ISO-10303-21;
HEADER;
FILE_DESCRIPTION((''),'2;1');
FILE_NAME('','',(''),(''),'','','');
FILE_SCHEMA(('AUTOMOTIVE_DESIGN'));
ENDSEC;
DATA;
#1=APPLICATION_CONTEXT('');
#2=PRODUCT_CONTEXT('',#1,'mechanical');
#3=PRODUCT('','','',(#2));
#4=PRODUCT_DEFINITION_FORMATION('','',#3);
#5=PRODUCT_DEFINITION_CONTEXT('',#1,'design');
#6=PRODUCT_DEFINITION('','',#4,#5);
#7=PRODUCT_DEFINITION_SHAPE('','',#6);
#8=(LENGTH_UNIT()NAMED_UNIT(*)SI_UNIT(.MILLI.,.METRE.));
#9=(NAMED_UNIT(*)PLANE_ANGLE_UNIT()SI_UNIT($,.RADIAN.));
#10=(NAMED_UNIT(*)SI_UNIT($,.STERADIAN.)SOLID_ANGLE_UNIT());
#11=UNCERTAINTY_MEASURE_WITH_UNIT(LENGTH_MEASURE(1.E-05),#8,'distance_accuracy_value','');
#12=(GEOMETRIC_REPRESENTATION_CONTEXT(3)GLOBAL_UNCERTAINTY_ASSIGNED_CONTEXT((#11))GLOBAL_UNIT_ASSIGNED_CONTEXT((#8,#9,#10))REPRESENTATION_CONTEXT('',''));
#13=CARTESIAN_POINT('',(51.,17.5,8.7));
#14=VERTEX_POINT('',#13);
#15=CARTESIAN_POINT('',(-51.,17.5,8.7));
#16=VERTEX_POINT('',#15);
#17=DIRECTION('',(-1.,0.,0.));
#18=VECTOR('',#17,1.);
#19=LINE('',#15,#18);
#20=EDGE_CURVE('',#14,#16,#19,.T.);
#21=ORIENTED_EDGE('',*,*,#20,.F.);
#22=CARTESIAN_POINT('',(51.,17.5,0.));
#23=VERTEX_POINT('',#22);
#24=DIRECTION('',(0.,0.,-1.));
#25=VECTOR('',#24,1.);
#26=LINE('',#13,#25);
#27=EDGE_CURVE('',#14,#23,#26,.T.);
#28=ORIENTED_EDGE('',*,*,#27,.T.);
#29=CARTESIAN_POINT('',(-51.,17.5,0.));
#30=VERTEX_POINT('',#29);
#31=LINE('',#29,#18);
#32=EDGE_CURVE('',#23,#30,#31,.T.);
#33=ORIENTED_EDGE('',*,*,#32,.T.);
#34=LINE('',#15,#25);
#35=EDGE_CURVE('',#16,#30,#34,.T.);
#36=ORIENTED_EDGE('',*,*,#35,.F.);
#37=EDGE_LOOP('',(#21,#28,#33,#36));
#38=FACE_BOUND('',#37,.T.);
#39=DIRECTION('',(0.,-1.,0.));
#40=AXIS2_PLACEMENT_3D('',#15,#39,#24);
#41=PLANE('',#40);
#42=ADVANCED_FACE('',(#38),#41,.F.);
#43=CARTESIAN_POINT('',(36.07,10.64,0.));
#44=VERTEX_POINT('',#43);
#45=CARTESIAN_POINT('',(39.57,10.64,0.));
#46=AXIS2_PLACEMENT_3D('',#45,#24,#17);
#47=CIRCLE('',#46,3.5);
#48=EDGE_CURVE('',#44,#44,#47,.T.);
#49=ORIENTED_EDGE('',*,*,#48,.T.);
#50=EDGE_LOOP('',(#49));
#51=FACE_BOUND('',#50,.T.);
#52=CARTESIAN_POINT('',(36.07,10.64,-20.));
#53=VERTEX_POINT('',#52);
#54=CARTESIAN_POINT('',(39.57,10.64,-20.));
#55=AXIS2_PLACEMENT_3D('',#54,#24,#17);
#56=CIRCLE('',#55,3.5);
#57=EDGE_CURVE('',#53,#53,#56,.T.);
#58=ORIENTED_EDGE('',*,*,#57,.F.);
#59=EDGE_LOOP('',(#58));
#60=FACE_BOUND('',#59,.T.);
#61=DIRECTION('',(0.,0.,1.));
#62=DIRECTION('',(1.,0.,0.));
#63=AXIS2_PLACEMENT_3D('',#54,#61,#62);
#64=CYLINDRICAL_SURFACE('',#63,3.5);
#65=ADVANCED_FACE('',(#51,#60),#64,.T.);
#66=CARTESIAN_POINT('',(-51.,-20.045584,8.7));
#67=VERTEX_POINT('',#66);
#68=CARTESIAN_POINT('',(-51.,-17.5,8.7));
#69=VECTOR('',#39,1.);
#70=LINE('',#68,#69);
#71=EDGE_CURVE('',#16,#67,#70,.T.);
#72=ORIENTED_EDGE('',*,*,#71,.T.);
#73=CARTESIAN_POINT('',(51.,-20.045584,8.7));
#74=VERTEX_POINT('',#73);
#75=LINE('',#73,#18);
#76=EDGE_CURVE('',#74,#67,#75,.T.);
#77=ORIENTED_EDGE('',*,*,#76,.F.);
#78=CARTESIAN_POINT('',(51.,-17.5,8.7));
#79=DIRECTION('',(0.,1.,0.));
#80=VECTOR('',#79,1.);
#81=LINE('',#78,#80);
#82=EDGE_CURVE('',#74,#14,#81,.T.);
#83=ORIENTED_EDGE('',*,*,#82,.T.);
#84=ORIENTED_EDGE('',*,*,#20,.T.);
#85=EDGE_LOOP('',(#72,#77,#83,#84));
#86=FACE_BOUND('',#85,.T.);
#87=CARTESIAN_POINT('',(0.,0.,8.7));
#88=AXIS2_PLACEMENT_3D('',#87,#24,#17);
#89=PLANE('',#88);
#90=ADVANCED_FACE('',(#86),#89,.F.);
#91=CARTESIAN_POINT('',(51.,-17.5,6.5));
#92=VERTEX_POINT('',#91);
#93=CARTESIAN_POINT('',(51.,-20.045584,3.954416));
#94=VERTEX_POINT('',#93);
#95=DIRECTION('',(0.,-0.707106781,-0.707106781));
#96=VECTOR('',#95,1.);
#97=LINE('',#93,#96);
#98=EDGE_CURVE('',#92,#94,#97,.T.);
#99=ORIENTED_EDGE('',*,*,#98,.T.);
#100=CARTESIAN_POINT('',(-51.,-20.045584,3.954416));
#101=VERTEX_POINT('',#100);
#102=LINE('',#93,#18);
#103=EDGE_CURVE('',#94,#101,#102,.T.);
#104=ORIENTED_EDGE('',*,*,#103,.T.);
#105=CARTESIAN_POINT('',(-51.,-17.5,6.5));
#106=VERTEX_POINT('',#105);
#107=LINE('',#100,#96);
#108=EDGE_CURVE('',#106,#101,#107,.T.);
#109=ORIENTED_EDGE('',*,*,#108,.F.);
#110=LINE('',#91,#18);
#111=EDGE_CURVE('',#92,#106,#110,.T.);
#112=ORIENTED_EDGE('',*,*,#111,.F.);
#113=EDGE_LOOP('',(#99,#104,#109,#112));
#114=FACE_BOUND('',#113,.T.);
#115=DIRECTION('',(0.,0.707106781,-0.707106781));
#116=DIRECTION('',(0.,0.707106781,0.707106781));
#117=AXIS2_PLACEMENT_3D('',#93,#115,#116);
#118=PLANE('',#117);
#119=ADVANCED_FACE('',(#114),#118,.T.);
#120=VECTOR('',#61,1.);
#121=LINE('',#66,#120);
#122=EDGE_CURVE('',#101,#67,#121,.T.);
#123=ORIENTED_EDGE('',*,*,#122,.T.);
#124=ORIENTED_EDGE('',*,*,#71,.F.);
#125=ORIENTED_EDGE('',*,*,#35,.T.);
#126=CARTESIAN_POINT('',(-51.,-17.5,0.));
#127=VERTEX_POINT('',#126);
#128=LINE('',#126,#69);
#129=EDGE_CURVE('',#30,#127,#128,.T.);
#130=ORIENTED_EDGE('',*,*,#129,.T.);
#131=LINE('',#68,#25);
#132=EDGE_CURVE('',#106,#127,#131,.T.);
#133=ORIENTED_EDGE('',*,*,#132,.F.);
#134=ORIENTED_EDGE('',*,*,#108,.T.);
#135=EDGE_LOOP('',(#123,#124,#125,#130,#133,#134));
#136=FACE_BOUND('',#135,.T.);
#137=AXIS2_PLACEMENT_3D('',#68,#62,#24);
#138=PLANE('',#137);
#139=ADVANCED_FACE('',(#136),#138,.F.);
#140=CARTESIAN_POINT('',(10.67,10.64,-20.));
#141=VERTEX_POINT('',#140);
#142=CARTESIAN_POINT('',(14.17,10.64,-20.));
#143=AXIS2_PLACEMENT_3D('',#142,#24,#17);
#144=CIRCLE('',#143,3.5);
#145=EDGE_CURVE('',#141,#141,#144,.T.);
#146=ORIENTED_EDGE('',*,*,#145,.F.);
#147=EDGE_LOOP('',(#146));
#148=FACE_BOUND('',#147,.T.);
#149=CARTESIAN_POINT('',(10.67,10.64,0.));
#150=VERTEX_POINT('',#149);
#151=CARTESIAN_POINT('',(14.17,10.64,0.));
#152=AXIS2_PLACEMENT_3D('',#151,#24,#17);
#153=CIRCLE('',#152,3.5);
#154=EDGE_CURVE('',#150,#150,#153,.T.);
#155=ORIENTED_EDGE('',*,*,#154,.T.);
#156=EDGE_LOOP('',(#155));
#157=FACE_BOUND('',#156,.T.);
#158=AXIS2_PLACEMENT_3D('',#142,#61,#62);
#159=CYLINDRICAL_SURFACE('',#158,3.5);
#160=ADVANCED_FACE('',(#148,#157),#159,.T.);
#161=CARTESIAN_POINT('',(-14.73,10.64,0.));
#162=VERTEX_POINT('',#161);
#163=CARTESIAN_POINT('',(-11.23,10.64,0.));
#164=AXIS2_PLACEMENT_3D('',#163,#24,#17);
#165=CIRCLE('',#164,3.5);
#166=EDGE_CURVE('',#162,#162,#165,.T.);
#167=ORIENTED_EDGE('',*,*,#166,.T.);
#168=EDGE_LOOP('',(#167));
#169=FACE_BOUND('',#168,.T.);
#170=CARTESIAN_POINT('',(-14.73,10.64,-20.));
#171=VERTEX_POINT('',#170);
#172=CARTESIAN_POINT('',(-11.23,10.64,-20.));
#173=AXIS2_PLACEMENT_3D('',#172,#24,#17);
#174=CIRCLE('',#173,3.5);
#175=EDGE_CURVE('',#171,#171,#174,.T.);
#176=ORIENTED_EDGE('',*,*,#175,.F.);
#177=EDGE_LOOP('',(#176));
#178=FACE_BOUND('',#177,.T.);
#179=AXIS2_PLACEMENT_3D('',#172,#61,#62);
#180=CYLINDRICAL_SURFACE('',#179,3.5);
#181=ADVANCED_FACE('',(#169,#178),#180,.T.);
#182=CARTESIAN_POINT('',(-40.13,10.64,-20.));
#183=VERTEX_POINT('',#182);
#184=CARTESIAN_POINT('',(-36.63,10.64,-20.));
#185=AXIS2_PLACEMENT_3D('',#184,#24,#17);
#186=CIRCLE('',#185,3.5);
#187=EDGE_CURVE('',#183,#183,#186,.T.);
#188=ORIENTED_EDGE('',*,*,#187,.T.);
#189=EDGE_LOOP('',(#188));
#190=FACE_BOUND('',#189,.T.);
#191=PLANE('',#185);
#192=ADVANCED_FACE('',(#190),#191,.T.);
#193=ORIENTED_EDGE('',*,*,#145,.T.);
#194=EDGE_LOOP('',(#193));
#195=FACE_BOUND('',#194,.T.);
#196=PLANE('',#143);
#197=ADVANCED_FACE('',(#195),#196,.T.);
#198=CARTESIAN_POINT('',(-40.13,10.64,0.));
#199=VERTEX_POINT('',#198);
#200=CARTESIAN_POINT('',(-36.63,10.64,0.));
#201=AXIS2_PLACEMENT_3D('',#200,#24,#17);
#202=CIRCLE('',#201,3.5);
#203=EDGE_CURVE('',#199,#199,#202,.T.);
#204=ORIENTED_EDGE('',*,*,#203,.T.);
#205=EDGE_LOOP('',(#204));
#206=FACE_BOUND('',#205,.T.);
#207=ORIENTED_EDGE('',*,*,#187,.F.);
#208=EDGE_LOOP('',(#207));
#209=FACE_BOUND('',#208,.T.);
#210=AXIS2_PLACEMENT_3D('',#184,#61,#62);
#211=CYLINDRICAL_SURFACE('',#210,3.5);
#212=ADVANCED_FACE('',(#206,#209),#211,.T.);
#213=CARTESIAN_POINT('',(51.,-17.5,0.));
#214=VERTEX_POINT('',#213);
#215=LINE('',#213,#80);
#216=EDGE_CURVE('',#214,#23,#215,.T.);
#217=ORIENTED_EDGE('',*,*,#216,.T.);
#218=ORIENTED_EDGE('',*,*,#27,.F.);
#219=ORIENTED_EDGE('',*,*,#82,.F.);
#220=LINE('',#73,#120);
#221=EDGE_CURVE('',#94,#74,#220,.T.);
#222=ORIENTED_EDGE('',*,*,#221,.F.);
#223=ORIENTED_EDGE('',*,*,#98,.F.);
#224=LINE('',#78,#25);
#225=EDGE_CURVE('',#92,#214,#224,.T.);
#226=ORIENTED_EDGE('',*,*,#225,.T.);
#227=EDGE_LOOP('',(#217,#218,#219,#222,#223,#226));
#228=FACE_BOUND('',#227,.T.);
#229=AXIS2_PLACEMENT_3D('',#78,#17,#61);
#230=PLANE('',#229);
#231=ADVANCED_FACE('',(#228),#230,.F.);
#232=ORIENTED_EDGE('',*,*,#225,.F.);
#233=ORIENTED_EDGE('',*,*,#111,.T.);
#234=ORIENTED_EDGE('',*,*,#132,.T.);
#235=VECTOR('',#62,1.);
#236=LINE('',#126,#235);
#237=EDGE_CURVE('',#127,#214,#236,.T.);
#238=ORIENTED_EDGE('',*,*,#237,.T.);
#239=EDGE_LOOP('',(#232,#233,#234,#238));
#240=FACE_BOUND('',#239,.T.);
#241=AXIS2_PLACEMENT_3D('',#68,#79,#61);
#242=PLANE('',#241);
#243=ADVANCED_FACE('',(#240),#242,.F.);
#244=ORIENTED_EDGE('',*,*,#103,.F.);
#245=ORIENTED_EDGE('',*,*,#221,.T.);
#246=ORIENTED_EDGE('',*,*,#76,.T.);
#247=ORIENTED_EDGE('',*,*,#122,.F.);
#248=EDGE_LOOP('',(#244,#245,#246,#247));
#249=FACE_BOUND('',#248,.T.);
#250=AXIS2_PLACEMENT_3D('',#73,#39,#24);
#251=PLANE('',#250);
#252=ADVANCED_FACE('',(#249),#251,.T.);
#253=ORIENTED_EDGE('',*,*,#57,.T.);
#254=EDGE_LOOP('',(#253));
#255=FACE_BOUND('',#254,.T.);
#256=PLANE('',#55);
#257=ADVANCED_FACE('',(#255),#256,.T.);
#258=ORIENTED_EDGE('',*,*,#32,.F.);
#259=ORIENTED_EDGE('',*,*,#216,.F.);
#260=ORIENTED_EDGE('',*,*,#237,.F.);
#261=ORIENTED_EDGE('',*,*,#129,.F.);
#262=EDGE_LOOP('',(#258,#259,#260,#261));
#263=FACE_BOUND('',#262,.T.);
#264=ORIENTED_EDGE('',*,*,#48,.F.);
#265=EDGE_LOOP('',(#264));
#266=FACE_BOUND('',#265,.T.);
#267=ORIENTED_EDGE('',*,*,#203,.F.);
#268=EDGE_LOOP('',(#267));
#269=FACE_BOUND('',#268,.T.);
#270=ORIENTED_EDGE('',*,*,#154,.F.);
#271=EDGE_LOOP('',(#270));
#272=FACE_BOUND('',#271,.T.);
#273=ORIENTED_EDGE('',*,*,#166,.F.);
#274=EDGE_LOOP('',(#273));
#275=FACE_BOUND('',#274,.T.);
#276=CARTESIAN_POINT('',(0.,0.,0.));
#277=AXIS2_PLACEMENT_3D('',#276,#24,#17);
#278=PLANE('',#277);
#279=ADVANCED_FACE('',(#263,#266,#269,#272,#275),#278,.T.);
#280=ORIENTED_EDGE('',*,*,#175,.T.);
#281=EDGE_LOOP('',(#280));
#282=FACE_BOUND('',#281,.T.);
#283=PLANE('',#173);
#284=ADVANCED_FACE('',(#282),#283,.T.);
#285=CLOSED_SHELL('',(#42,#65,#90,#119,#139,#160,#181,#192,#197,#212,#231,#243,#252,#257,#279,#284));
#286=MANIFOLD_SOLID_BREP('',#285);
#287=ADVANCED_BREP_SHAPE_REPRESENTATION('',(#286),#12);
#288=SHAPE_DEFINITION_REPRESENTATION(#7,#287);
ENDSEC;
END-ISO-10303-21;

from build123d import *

# Parameters (mm, degrees)
SKETCH1_W           = 102
SKETCH1_H           = 35
BOSS_EXTRUDE1_DEPTH = 8.7
BOSS_EXTRUDE2_DEPTH = 102
SKETCH5_R           = 3.5
BOSS_EXTRUDE3_DEPTH = 20


with BuildPart() as part:
    # Sketch1 → Boss-Extrude1 (new body)
    with BuildSketch(Plane.XY):
        Rectangle(SKETCH1_W, SKETCH1_H)
    extrude(amount=BOSS_EXTRUDE1_DEPTH)

    # Sketch4 → Boss-Extrude2 (add)
    with BuildSketch(Plane.ZY.offset(51)):
        Polygon((6.5, -17.5), (8.7, -17.5), (8.7, -20.045584412), (3.954415588, -20.045584412), align=None)
    extrude(amount=-BOSS_EXTRUDE2_DEPTH)

    # Sketch5 → Boss-Extrude3 (add)
    with BuildSketch(Plane(origin=(0, 0, 0), x_dir=(-1, 0, 0), z_dir=(0, 0, -1))):
        with Locations((-39.57, 10.64)):
            Circle(SKETCH5_R)
        with Locations((-14.17, 10.64)):
            Circle(SKETCH5_R)
        with Locations((11.23, 10.64)):
            Circle(SKETCH5_R)
        with Locations((36.63, 10.64)):
            Circle(SKETCH5_R)
    extrude(amount=BOSS_EXTRUDE3_DEPTH)


solid = part.part
